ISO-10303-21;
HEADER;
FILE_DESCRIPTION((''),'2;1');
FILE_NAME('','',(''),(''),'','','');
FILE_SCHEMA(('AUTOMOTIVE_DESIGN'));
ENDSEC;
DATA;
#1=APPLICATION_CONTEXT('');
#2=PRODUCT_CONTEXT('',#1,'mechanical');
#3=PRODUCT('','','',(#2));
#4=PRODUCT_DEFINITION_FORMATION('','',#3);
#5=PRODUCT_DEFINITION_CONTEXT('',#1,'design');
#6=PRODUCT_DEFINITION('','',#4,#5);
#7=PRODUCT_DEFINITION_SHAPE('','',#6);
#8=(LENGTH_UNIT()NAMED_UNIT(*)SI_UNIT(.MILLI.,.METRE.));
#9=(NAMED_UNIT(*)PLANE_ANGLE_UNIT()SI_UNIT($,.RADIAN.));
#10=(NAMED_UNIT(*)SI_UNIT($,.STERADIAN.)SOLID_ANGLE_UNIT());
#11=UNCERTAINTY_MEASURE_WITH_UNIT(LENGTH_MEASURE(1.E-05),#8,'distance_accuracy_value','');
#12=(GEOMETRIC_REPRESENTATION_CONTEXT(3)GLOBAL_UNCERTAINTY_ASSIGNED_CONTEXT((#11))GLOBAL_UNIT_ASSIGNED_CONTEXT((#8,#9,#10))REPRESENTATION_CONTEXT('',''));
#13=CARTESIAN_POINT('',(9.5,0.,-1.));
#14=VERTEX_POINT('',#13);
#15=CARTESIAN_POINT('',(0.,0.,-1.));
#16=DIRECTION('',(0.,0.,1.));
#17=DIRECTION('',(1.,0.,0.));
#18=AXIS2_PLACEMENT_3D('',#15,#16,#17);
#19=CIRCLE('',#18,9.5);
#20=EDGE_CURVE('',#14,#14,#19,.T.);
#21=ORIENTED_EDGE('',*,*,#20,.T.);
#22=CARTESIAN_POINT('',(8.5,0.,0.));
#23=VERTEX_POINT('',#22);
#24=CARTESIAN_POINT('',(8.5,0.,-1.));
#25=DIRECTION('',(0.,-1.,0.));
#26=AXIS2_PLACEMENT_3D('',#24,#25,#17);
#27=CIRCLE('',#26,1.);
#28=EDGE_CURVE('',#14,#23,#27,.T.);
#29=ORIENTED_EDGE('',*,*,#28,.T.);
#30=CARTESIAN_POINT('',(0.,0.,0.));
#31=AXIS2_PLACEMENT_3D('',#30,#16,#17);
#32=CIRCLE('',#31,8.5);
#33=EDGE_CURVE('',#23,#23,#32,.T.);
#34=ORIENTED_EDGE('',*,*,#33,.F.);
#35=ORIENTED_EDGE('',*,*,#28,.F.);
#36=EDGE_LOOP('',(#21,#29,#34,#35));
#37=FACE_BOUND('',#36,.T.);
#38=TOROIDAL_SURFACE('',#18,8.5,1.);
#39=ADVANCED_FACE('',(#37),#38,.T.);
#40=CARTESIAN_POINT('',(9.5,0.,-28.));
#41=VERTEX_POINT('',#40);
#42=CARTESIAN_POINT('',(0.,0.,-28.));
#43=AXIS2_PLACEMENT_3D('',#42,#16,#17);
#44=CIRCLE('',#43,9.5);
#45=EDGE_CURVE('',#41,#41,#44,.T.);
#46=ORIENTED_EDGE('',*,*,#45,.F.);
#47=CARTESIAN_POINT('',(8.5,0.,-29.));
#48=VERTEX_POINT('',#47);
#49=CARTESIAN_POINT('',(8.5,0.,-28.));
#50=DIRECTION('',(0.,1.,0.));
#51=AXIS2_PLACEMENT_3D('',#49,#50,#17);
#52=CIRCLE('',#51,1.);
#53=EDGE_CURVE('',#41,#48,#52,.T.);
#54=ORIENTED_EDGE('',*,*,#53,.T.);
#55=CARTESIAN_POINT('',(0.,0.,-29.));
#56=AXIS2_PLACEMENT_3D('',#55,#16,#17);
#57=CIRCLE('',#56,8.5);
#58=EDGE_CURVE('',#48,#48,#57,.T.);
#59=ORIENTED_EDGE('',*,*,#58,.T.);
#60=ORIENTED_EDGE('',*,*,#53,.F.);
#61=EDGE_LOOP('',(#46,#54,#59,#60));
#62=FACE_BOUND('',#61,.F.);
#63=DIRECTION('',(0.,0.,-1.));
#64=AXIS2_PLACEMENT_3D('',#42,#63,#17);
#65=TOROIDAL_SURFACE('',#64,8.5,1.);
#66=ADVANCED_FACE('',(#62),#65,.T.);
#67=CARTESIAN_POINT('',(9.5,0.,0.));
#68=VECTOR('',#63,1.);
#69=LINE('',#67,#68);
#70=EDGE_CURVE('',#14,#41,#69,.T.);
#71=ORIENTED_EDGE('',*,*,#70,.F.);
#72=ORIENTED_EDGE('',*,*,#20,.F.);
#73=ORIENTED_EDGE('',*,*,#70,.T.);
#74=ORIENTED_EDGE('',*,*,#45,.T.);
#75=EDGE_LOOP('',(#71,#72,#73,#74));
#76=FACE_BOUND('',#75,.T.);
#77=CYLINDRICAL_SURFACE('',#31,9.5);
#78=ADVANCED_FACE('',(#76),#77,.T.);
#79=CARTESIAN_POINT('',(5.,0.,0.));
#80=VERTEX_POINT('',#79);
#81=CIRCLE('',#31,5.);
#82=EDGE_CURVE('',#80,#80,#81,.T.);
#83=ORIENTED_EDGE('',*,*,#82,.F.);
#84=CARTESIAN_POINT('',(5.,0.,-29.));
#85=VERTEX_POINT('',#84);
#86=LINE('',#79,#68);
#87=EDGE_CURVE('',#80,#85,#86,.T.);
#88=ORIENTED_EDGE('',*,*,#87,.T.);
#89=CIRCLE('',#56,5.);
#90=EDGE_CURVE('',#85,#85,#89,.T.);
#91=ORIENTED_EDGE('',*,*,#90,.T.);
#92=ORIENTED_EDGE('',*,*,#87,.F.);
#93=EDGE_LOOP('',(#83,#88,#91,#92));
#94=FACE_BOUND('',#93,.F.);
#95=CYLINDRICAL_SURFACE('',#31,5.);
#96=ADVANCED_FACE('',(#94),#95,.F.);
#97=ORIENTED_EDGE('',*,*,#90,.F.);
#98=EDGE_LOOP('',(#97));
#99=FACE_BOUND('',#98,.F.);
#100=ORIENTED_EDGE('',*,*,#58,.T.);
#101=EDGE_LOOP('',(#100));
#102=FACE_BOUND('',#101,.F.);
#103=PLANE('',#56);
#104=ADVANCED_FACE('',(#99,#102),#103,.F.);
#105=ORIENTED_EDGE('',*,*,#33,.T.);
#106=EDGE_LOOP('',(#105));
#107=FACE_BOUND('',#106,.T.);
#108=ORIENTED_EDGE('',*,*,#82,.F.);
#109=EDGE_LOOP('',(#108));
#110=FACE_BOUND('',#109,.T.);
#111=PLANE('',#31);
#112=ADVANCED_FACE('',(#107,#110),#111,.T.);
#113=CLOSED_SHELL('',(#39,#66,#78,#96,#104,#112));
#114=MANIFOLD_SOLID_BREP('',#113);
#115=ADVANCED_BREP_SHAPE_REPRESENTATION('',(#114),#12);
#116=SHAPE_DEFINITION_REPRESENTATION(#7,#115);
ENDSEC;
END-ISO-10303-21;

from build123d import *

# Parameters (mm, degrees)
F0_R     = 9.5
F0_R_2   = 5
F1_DEPTH = 29
F2_R     = 1


with BuildPart() as f1:
    # F0 (on Top) → F1 (new body)
    with BuildSketch(Plane.XY):
        Circle(F0_R)
        Circle(F0_R_2, mode=Mode.SUBTRACT)
    extrude(amount=-F1_DEPTH)

    # F2
    f2_edges = [f1.edges().sort_by_distance(p)[0] for p in [
        (-9.5, 0, 0),
        (-9.5, 0, -29),
    ]]
    fillet(f2_edges, radius=F2_R)


solid = f1.part
